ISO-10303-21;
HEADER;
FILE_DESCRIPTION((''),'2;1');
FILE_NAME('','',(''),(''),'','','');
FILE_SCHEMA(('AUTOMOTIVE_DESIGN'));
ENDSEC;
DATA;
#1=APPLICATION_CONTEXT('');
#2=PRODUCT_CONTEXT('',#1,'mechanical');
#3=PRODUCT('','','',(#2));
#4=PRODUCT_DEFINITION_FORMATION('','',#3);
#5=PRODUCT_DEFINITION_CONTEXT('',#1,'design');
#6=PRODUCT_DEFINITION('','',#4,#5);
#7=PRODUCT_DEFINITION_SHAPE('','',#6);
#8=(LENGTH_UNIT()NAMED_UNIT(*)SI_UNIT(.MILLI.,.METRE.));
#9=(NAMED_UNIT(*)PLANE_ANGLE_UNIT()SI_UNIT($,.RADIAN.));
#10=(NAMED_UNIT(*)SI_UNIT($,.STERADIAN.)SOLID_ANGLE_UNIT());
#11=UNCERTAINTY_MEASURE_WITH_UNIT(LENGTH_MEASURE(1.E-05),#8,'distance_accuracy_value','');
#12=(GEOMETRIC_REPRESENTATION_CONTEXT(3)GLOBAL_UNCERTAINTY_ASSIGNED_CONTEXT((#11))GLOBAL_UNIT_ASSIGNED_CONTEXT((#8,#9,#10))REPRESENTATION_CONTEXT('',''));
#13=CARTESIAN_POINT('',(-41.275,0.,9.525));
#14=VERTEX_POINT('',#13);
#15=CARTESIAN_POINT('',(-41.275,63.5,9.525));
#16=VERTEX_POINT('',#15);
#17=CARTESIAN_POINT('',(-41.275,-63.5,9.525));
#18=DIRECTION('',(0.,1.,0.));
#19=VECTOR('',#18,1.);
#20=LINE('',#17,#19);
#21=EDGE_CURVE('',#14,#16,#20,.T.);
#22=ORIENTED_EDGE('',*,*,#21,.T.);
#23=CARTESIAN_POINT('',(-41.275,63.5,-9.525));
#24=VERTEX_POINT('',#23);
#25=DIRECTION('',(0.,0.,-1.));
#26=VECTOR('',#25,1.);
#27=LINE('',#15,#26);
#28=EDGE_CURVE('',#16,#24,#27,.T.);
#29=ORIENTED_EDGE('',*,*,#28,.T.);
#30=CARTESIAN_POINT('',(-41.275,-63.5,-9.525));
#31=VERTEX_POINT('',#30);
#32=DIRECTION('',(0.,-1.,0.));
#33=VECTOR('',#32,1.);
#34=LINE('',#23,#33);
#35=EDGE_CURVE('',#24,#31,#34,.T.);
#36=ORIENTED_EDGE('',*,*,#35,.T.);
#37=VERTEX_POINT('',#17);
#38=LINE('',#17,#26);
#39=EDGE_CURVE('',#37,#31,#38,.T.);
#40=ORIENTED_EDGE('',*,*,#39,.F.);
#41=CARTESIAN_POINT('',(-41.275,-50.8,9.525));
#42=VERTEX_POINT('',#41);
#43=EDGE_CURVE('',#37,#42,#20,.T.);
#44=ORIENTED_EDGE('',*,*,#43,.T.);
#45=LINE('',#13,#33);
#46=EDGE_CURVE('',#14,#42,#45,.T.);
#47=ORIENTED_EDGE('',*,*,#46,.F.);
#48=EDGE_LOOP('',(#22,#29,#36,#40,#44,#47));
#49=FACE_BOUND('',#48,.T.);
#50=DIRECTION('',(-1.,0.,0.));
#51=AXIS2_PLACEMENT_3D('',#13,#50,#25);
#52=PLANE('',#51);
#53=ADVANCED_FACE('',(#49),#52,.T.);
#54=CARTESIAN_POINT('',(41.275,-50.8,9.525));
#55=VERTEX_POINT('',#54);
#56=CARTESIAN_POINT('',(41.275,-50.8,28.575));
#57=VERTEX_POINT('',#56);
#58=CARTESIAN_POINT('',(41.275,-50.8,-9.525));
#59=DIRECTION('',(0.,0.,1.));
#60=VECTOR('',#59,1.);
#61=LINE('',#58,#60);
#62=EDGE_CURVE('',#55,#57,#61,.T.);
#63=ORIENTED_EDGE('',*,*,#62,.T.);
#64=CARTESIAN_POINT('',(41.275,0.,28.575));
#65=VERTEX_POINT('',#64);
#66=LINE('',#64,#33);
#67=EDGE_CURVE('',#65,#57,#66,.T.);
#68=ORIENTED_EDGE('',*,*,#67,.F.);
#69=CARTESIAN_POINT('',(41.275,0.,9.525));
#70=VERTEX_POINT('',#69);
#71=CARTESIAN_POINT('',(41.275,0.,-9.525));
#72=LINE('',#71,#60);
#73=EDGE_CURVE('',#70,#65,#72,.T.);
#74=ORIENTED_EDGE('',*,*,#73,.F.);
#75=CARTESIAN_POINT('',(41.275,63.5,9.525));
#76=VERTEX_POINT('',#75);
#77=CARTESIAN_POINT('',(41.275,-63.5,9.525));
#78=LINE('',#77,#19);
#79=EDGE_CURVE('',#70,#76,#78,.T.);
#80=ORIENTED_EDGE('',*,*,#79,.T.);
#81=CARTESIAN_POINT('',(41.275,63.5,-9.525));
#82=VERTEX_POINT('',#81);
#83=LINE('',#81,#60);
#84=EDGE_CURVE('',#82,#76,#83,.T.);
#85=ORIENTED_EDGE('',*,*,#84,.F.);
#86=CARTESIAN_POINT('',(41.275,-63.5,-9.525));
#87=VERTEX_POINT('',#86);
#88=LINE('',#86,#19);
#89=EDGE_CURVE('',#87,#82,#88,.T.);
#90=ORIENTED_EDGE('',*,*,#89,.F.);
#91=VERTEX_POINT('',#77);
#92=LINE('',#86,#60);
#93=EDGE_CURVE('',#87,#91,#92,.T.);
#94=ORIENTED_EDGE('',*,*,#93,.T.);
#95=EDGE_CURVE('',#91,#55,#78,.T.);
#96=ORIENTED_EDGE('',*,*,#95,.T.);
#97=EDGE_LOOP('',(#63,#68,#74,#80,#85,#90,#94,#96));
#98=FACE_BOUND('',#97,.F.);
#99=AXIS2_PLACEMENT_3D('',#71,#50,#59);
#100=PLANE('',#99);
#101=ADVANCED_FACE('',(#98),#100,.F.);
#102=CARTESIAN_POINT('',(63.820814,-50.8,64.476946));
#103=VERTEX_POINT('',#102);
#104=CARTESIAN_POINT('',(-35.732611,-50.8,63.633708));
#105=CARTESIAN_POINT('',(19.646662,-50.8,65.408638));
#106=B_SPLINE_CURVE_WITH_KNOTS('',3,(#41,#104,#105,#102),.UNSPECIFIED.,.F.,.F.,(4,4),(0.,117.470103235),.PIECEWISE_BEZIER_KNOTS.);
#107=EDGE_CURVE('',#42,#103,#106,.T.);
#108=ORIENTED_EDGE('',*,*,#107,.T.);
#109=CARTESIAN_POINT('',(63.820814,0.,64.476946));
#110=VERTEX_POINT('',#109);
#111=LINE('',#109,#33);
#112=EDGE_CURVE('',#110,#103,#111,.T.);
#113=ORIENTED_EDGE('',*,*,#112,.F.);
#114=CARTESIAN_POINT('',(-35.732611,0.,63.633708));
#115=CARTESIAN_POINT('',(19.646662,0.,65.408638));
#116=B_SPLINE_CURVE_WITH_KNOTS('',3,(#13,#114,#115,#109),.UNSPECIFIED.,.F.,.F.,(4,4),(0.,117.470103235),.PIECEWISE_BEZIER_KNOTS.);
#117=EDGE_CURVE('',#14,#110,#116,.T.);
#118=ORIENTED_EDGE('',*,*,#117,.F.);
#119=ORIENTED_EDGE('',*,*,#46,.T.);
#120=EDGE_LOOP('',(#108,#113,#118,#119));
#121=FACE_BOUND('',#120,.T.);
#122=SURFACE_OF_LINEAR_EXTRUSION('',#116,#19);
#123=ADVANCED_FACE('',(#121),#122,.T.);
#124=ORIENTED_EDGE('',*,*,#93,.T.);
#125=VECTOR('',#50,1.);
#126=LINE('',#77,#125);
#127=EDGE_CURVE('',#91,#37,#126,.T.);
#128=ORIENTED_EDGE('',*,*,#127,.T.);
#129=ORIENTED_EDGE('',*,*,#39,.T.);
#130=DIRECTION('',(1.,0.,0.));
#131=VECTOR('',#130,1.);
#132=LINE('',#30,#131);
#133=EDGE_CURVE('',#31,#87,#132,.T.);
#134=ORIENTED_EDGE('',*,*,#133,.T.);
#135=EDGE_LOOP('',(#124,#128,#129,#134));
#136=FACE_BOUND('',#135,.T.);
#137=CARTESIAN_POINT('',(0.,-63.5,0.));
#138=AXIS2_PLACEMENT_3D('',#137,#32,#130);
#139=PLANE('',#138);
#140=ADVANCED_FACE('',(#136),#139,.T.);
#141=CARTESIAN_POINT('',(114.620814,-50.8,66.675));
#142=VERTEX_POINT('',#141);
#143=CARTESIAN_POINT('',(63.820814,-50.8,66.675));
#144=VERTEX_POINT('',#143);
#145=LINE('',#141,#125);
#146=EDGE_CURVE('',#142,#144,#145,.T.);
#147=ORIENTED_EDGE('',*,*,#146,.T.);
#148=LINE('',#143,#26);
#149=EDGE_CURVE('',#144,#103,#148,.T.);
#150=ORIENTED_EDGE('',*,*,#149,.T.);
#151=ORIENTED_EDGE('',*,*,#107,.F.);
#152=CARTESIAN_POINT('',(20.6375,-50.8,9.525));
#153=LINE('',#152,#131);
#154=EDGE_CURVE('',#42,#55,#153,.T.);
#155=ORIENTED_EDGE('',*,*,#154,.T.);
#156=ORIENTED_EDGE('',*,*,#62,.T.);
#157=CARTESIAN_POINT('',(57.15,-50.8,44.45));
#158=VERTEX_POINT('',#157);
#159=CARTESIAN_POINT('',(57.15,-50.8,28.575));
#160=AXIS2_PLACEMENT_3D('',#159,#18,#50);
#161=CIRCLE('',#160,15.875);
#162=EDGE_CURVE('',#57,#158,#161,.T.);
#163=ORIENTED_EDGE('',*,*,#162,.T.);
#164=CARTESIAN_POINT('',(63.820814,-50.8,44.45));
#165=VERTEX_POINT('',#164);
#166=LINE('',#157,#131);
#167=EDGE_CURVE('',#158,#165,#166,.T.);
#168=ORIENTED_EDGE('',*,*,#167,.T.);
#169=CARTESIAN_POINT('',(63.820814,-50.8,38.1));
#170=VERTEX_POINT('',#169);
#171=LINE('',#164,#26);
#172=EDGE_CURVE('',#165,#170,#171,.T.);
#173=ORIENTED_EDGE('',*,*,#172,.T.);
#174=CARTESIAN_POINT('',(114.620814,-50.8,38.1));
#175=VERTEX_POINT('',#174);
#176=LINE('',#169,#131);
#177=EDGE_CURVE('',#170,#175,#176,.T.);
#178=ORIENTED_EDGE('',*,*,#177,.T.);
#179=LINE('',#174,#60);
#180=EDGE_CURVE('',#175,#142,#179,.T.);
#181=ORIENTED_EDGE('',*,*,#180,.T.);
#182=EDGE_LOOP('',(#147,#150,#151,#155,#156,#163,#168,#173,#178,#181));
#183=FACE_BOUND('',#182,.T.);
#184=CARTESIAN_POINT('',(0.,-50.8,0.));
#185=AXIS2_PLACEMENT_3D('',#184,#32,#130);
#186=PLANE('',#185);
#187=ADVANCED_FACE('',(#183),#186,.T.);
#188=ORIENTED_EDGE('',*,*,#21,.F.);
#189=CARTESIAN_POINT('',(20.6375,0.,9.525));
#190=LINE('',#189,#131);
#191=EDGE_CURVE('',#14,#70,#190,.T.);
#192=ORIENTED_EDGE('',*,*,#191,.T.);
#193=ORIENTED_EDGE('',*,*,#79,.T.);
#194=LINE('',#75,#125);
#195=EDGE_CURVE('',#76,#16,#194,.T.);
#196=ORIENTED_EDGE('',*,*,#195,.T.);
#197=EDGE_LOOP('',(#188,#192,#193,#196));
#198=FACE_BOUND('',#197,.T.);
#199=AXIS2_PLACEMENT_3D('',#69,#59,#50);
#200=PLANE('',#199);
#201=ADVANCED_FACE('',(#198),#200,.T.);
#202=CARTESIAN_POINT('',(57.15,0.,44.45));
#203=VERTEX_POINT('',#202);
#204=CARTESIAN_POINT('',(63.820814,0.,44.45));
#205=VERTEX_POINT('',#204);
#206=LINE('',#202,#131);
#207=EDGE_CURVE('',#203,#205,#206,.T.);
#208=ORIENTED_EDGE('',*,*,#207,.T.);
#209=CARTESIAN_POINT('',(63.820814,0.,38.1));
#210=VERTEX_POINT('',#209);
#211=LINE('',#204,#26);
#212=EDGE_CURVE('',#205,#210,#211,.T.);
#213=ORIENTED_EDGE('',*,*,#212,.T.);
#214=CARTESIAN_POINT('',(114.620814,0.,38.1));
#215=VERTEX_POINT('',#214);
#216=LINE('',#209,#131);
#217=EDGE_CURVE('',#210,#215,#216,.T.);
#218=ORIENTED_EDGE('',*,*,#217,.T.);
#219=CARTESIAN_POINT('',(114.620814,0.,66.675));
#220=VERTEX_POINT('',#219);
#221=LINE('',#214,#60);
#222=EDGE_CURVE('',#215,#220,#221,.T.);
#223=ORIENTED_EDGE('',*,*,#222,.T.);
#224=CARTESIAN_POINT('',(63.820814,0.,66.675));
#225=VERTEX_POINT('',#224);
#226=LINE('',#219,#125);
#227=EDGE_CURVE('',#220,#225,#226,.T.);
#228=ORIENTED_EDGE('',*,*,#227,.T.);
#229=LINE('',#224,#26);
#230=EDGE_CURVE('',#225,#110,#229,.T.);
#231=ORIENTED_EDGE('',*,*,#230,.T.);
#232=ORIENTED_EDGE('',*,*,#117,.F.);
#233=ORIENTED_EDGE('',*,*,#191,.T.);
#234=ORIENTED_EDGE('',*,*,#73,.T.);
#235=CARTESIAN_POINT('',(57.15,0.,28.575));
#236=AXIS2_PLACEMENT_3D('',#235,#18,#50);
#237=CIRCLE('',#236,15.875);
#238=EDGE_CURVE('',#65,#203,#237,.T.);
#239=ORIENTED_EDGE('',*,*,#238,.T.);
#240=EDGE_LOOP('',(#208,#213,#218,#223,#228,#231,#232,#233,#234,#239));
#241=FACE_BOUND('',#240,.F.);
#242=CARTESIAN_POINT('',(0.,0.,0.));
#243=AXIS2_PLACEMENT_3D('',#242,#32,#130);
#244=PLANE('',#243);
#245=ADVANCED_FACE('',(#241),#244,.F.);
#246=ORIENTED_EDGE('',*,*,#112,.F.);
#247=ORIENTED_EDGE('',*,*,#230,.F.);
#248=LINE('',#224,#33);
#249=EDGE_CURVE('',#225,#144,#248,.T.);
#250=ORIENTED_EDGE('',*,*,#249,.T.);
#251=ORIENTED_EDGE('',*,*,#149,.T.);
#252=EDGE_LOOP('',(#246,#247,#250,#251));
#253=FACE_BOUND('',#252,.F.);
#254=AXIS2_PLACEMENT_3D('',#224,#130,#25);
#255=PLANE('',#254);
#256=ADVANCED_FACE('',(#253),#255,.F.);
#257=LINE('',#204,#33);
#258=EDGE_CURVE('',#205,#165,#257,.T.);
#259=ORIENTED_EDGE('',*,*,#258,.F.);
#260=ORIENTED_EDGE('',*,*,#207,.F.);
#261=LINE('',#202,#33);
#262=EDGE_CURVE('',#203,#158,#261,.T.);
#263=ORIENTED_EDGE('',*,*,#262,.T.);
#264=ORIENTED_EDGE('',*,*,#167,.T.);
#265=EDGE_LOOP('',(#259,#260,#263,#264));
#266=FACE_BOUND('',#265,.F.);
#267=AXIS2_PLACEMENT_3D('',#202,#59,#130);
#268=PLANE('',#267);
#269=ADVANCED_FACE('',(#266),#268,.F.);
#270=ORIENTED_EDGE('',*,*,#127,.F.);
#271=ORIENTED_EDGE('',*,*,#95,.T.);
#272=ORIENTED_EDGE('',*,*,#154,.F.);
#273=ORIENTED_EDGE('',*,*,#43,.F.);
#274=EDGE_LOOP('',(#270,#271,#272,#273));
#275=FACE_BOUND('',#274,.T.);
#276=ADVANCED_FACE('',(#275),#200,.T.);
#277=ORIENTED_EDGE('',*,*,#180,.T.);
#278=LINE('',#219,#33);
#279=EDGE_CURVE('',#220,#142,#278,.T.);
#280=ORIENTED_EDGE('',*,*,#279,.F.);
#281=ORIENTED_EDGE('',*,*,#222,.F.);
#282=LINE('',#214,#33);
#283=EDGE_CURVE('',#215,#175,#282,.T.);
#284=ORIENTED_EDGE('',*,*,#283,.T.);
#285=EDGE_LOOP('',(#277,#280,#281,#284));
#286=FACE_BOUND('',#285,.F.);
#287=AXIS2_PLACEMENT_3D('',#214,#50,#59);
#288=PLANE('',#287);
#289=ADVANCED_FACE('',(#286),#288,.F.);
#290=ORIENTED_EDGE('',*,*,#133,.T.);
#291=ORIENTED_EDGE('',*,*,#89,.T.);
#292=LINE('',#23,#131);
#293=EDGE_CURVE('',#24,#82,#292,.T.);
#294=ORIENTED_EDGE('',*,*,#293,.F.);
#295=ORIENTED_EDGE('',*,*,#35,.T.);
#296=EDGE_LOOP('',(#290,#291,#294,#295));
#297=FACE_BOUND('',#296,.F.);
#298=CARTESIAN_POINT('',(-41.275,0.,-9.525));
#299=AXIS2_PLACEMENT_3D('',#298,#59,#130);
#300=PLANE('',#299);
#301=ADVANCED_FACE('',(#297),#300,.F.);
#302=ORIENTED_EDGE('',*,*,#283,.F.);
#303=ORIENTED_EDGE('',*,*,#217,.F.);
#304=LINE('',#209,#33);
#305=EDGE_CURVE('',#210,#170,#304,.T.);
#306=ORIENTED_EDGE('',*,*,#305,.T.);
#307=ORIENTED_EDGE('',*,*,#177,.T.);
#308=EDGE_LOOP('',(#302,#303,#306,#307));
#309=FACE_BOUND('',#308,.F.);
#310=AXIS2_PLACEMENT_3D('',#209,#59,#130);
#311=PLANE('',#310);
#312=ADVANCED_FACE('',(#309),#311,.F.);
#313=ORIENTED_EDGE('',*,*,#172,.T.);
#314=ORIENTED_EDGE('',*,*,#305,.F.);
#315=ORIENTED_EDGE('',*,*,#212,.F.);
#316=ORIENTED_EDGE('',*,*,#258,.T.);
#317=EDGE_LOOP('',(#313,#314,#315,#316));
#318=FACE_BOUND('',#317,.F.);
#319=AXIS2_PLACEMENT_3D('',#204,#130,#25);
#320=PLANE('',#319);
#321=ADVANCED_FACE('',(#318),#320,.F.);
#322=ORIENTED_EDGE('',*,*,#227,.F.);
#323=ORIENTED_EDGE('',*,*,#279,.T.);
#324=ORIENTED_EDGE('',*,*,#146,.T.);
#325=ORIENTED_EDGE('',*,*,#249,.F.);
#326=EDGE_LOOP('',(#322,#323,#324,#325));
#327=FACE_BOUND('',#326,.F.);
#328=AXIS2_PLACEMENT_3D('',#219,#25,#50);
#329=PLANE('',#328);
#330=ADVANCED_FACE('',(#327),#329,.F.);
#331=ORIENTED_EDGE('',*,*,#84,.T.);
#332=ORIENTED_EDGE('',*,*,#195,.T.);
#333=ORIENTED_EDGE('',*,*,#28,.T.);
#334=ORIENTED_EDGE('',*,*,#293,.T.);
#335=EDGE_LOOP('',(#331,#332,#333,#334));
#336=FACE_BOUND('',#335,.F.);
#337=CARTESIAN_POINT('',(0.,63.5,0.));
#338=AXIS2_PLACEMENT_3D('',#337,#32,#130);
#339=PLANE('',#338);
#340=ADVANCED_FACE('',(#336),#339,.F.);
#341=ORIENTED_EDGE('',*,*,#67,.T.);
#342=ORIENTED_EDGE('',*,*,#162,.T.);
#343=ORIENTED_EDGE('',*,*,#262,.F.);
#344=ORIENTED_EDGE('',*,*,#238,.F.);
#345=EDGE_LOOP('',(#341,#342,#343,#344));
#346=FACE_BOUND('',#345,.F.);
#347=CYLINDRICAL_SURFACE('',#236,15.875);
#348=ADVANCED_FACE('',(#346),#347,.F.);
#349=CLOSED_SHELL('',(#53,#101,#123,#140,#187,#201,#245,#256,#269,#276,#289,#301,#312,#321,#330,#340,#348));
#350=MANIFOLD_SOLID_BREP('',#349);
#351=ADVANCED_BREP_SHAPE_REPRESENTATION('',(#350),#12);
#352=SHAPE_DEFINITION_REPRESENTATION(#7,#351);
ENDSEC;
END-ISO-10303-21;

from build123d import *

# Parameters (mm, degrees)
F1_DEPTH = 63.5
F2_DEPTH = 50.8


with BuildPart() as f1:
    # F0 (on Front) → F1 (new body, symmetric)
    with BuildSketch(Plane.XZ):
        Polygon((-41.275, 9.525), (-41.275, -9.525), (41.275, -9.525), (41.275, 9.525), (22.4790014327, 9.525), align=None)
    extrude(amount=F1_DEPTH, both=True)

    # F0 (on Front) → F2 (join)
    with BuildSketch(Plane.XZ):
        Polygon((-41.275, 9.525), (-41.275, -9.525), (41.275, -9.525), (41.275, 9.525), (22.4790014327, 9.525), align=None)
        with BuildLine():
            add(Edge.make_bspline(
                [(-41.275, 9.525), (-35.7326114907, 63.6337083014), (19.6466617219, 65.4086383739), (63.8208144069, 64.4769455383)],
                knots=[0, 0, 0, 0, 117.4701032347, 117.4701032347, 117.4701032347, 117.4701032347], degree=3))
            Line((-41.275, 9.525), (22.4790014327, 9.525))
            Line((22.4790014327, 9.525), (22.4790014327, 47.0458286018))
            ThreePointArc((22.4790014327, 47.0458286018), (28.8618939863, 60.471876969), (43.3038324118, 63.9975693303))
            Line((43.3038324118, 63.9975693303), (63.8208144069, 63.9975693303))
            Line((63.8208144069, 63.9975693303), (63.8208144069, 64.4769455383))
        make_face()
        with BuildLine():
            Line((22.4790014327, 9.525), (41.275, 9.525))
            Line((41.275, 9.525), (41.275, 28.575))
            ThreePointArc((41.275, 28.575), (45.9246798487, 39.8003201513), (57.15, 44.45))
            Line((57.15, 44.45), (63.8208144069, 44.45))
            Line((63.8208144069, 44.45), (63.8208144069, 63.9975693303))
            Line((63.8208144069, 63.9975693303), (43.3038324118, 63.9975693303))
            ThreePointArc((43.3038324118, 63.9975693303), (28.8618939863, 60.471876969), (22.4790014327, 47.0458286018))
            Line((22.4790014327, 47.0458286018), (22.4790014327, 9.525))
        make_face()
        with BuildLine():
            add(Edge.make_bspline(
                [(63.8208144069, 64.4769455383), (71.9097851364, 64.3063381669), (79.6230338842, 64.0449742774), (86.5857569244, 63.9975693303)],
                knots=[117.4701032347, 117.4701032347, 117.4701032347, 117.4701032347, 138.9806963961, 138.9806963961, 138.9806963961, 138.9806963961], degree=3))
            Line((63.8208144069, 64.4769455383), (63.8208144069, 63.9975693303))
            Line((63.8208144069, 63.9975693303), (86.5857569244, 63.9975693303))
        make_face()
        with BuildLine():
            Line((63.8208144069, 66.675), (63.8208144069, 64.4769455383))
            add(Edge.make_bspline(
                [(63.8208144069, 64.4769455383), (71.9097851364, 64.3063381669), (79.6230338842, 64.0449742774), (86.5857569244, 63.9975693303)],
                knots=[117.4701032347, 117.4701032347, 117.4701032347, 117.4701032347, 138.9806963961, 138.9806963961, 138.9806963961, 138.9806963961], degree=3))
            Line((86.5857569244, 63.9975693303), (85.725, 44.45))
            Line((85.725, 44.45), (63.8208144069, 44.45))
            Line((63.8208144069, 44.45), (63.8208144069, 38.1))
            Line((63.8208144069, 38.1), (114.6208144069, 38.1))
            Line((114.6208144069, 38.1), (114.6208144069, 66.675))
            Line((114.6208144069, 66.675), (63.8208144069, 66.675))
        make_face()
        Polygon((86.5857569244, 63.9975693303), (63.8208144069, 63.9975693303), (63.8208144069, 44.45), (85.725, 44.45), align=None)
    extrude(amount=F2_DEPTH)


solid = f1.part
